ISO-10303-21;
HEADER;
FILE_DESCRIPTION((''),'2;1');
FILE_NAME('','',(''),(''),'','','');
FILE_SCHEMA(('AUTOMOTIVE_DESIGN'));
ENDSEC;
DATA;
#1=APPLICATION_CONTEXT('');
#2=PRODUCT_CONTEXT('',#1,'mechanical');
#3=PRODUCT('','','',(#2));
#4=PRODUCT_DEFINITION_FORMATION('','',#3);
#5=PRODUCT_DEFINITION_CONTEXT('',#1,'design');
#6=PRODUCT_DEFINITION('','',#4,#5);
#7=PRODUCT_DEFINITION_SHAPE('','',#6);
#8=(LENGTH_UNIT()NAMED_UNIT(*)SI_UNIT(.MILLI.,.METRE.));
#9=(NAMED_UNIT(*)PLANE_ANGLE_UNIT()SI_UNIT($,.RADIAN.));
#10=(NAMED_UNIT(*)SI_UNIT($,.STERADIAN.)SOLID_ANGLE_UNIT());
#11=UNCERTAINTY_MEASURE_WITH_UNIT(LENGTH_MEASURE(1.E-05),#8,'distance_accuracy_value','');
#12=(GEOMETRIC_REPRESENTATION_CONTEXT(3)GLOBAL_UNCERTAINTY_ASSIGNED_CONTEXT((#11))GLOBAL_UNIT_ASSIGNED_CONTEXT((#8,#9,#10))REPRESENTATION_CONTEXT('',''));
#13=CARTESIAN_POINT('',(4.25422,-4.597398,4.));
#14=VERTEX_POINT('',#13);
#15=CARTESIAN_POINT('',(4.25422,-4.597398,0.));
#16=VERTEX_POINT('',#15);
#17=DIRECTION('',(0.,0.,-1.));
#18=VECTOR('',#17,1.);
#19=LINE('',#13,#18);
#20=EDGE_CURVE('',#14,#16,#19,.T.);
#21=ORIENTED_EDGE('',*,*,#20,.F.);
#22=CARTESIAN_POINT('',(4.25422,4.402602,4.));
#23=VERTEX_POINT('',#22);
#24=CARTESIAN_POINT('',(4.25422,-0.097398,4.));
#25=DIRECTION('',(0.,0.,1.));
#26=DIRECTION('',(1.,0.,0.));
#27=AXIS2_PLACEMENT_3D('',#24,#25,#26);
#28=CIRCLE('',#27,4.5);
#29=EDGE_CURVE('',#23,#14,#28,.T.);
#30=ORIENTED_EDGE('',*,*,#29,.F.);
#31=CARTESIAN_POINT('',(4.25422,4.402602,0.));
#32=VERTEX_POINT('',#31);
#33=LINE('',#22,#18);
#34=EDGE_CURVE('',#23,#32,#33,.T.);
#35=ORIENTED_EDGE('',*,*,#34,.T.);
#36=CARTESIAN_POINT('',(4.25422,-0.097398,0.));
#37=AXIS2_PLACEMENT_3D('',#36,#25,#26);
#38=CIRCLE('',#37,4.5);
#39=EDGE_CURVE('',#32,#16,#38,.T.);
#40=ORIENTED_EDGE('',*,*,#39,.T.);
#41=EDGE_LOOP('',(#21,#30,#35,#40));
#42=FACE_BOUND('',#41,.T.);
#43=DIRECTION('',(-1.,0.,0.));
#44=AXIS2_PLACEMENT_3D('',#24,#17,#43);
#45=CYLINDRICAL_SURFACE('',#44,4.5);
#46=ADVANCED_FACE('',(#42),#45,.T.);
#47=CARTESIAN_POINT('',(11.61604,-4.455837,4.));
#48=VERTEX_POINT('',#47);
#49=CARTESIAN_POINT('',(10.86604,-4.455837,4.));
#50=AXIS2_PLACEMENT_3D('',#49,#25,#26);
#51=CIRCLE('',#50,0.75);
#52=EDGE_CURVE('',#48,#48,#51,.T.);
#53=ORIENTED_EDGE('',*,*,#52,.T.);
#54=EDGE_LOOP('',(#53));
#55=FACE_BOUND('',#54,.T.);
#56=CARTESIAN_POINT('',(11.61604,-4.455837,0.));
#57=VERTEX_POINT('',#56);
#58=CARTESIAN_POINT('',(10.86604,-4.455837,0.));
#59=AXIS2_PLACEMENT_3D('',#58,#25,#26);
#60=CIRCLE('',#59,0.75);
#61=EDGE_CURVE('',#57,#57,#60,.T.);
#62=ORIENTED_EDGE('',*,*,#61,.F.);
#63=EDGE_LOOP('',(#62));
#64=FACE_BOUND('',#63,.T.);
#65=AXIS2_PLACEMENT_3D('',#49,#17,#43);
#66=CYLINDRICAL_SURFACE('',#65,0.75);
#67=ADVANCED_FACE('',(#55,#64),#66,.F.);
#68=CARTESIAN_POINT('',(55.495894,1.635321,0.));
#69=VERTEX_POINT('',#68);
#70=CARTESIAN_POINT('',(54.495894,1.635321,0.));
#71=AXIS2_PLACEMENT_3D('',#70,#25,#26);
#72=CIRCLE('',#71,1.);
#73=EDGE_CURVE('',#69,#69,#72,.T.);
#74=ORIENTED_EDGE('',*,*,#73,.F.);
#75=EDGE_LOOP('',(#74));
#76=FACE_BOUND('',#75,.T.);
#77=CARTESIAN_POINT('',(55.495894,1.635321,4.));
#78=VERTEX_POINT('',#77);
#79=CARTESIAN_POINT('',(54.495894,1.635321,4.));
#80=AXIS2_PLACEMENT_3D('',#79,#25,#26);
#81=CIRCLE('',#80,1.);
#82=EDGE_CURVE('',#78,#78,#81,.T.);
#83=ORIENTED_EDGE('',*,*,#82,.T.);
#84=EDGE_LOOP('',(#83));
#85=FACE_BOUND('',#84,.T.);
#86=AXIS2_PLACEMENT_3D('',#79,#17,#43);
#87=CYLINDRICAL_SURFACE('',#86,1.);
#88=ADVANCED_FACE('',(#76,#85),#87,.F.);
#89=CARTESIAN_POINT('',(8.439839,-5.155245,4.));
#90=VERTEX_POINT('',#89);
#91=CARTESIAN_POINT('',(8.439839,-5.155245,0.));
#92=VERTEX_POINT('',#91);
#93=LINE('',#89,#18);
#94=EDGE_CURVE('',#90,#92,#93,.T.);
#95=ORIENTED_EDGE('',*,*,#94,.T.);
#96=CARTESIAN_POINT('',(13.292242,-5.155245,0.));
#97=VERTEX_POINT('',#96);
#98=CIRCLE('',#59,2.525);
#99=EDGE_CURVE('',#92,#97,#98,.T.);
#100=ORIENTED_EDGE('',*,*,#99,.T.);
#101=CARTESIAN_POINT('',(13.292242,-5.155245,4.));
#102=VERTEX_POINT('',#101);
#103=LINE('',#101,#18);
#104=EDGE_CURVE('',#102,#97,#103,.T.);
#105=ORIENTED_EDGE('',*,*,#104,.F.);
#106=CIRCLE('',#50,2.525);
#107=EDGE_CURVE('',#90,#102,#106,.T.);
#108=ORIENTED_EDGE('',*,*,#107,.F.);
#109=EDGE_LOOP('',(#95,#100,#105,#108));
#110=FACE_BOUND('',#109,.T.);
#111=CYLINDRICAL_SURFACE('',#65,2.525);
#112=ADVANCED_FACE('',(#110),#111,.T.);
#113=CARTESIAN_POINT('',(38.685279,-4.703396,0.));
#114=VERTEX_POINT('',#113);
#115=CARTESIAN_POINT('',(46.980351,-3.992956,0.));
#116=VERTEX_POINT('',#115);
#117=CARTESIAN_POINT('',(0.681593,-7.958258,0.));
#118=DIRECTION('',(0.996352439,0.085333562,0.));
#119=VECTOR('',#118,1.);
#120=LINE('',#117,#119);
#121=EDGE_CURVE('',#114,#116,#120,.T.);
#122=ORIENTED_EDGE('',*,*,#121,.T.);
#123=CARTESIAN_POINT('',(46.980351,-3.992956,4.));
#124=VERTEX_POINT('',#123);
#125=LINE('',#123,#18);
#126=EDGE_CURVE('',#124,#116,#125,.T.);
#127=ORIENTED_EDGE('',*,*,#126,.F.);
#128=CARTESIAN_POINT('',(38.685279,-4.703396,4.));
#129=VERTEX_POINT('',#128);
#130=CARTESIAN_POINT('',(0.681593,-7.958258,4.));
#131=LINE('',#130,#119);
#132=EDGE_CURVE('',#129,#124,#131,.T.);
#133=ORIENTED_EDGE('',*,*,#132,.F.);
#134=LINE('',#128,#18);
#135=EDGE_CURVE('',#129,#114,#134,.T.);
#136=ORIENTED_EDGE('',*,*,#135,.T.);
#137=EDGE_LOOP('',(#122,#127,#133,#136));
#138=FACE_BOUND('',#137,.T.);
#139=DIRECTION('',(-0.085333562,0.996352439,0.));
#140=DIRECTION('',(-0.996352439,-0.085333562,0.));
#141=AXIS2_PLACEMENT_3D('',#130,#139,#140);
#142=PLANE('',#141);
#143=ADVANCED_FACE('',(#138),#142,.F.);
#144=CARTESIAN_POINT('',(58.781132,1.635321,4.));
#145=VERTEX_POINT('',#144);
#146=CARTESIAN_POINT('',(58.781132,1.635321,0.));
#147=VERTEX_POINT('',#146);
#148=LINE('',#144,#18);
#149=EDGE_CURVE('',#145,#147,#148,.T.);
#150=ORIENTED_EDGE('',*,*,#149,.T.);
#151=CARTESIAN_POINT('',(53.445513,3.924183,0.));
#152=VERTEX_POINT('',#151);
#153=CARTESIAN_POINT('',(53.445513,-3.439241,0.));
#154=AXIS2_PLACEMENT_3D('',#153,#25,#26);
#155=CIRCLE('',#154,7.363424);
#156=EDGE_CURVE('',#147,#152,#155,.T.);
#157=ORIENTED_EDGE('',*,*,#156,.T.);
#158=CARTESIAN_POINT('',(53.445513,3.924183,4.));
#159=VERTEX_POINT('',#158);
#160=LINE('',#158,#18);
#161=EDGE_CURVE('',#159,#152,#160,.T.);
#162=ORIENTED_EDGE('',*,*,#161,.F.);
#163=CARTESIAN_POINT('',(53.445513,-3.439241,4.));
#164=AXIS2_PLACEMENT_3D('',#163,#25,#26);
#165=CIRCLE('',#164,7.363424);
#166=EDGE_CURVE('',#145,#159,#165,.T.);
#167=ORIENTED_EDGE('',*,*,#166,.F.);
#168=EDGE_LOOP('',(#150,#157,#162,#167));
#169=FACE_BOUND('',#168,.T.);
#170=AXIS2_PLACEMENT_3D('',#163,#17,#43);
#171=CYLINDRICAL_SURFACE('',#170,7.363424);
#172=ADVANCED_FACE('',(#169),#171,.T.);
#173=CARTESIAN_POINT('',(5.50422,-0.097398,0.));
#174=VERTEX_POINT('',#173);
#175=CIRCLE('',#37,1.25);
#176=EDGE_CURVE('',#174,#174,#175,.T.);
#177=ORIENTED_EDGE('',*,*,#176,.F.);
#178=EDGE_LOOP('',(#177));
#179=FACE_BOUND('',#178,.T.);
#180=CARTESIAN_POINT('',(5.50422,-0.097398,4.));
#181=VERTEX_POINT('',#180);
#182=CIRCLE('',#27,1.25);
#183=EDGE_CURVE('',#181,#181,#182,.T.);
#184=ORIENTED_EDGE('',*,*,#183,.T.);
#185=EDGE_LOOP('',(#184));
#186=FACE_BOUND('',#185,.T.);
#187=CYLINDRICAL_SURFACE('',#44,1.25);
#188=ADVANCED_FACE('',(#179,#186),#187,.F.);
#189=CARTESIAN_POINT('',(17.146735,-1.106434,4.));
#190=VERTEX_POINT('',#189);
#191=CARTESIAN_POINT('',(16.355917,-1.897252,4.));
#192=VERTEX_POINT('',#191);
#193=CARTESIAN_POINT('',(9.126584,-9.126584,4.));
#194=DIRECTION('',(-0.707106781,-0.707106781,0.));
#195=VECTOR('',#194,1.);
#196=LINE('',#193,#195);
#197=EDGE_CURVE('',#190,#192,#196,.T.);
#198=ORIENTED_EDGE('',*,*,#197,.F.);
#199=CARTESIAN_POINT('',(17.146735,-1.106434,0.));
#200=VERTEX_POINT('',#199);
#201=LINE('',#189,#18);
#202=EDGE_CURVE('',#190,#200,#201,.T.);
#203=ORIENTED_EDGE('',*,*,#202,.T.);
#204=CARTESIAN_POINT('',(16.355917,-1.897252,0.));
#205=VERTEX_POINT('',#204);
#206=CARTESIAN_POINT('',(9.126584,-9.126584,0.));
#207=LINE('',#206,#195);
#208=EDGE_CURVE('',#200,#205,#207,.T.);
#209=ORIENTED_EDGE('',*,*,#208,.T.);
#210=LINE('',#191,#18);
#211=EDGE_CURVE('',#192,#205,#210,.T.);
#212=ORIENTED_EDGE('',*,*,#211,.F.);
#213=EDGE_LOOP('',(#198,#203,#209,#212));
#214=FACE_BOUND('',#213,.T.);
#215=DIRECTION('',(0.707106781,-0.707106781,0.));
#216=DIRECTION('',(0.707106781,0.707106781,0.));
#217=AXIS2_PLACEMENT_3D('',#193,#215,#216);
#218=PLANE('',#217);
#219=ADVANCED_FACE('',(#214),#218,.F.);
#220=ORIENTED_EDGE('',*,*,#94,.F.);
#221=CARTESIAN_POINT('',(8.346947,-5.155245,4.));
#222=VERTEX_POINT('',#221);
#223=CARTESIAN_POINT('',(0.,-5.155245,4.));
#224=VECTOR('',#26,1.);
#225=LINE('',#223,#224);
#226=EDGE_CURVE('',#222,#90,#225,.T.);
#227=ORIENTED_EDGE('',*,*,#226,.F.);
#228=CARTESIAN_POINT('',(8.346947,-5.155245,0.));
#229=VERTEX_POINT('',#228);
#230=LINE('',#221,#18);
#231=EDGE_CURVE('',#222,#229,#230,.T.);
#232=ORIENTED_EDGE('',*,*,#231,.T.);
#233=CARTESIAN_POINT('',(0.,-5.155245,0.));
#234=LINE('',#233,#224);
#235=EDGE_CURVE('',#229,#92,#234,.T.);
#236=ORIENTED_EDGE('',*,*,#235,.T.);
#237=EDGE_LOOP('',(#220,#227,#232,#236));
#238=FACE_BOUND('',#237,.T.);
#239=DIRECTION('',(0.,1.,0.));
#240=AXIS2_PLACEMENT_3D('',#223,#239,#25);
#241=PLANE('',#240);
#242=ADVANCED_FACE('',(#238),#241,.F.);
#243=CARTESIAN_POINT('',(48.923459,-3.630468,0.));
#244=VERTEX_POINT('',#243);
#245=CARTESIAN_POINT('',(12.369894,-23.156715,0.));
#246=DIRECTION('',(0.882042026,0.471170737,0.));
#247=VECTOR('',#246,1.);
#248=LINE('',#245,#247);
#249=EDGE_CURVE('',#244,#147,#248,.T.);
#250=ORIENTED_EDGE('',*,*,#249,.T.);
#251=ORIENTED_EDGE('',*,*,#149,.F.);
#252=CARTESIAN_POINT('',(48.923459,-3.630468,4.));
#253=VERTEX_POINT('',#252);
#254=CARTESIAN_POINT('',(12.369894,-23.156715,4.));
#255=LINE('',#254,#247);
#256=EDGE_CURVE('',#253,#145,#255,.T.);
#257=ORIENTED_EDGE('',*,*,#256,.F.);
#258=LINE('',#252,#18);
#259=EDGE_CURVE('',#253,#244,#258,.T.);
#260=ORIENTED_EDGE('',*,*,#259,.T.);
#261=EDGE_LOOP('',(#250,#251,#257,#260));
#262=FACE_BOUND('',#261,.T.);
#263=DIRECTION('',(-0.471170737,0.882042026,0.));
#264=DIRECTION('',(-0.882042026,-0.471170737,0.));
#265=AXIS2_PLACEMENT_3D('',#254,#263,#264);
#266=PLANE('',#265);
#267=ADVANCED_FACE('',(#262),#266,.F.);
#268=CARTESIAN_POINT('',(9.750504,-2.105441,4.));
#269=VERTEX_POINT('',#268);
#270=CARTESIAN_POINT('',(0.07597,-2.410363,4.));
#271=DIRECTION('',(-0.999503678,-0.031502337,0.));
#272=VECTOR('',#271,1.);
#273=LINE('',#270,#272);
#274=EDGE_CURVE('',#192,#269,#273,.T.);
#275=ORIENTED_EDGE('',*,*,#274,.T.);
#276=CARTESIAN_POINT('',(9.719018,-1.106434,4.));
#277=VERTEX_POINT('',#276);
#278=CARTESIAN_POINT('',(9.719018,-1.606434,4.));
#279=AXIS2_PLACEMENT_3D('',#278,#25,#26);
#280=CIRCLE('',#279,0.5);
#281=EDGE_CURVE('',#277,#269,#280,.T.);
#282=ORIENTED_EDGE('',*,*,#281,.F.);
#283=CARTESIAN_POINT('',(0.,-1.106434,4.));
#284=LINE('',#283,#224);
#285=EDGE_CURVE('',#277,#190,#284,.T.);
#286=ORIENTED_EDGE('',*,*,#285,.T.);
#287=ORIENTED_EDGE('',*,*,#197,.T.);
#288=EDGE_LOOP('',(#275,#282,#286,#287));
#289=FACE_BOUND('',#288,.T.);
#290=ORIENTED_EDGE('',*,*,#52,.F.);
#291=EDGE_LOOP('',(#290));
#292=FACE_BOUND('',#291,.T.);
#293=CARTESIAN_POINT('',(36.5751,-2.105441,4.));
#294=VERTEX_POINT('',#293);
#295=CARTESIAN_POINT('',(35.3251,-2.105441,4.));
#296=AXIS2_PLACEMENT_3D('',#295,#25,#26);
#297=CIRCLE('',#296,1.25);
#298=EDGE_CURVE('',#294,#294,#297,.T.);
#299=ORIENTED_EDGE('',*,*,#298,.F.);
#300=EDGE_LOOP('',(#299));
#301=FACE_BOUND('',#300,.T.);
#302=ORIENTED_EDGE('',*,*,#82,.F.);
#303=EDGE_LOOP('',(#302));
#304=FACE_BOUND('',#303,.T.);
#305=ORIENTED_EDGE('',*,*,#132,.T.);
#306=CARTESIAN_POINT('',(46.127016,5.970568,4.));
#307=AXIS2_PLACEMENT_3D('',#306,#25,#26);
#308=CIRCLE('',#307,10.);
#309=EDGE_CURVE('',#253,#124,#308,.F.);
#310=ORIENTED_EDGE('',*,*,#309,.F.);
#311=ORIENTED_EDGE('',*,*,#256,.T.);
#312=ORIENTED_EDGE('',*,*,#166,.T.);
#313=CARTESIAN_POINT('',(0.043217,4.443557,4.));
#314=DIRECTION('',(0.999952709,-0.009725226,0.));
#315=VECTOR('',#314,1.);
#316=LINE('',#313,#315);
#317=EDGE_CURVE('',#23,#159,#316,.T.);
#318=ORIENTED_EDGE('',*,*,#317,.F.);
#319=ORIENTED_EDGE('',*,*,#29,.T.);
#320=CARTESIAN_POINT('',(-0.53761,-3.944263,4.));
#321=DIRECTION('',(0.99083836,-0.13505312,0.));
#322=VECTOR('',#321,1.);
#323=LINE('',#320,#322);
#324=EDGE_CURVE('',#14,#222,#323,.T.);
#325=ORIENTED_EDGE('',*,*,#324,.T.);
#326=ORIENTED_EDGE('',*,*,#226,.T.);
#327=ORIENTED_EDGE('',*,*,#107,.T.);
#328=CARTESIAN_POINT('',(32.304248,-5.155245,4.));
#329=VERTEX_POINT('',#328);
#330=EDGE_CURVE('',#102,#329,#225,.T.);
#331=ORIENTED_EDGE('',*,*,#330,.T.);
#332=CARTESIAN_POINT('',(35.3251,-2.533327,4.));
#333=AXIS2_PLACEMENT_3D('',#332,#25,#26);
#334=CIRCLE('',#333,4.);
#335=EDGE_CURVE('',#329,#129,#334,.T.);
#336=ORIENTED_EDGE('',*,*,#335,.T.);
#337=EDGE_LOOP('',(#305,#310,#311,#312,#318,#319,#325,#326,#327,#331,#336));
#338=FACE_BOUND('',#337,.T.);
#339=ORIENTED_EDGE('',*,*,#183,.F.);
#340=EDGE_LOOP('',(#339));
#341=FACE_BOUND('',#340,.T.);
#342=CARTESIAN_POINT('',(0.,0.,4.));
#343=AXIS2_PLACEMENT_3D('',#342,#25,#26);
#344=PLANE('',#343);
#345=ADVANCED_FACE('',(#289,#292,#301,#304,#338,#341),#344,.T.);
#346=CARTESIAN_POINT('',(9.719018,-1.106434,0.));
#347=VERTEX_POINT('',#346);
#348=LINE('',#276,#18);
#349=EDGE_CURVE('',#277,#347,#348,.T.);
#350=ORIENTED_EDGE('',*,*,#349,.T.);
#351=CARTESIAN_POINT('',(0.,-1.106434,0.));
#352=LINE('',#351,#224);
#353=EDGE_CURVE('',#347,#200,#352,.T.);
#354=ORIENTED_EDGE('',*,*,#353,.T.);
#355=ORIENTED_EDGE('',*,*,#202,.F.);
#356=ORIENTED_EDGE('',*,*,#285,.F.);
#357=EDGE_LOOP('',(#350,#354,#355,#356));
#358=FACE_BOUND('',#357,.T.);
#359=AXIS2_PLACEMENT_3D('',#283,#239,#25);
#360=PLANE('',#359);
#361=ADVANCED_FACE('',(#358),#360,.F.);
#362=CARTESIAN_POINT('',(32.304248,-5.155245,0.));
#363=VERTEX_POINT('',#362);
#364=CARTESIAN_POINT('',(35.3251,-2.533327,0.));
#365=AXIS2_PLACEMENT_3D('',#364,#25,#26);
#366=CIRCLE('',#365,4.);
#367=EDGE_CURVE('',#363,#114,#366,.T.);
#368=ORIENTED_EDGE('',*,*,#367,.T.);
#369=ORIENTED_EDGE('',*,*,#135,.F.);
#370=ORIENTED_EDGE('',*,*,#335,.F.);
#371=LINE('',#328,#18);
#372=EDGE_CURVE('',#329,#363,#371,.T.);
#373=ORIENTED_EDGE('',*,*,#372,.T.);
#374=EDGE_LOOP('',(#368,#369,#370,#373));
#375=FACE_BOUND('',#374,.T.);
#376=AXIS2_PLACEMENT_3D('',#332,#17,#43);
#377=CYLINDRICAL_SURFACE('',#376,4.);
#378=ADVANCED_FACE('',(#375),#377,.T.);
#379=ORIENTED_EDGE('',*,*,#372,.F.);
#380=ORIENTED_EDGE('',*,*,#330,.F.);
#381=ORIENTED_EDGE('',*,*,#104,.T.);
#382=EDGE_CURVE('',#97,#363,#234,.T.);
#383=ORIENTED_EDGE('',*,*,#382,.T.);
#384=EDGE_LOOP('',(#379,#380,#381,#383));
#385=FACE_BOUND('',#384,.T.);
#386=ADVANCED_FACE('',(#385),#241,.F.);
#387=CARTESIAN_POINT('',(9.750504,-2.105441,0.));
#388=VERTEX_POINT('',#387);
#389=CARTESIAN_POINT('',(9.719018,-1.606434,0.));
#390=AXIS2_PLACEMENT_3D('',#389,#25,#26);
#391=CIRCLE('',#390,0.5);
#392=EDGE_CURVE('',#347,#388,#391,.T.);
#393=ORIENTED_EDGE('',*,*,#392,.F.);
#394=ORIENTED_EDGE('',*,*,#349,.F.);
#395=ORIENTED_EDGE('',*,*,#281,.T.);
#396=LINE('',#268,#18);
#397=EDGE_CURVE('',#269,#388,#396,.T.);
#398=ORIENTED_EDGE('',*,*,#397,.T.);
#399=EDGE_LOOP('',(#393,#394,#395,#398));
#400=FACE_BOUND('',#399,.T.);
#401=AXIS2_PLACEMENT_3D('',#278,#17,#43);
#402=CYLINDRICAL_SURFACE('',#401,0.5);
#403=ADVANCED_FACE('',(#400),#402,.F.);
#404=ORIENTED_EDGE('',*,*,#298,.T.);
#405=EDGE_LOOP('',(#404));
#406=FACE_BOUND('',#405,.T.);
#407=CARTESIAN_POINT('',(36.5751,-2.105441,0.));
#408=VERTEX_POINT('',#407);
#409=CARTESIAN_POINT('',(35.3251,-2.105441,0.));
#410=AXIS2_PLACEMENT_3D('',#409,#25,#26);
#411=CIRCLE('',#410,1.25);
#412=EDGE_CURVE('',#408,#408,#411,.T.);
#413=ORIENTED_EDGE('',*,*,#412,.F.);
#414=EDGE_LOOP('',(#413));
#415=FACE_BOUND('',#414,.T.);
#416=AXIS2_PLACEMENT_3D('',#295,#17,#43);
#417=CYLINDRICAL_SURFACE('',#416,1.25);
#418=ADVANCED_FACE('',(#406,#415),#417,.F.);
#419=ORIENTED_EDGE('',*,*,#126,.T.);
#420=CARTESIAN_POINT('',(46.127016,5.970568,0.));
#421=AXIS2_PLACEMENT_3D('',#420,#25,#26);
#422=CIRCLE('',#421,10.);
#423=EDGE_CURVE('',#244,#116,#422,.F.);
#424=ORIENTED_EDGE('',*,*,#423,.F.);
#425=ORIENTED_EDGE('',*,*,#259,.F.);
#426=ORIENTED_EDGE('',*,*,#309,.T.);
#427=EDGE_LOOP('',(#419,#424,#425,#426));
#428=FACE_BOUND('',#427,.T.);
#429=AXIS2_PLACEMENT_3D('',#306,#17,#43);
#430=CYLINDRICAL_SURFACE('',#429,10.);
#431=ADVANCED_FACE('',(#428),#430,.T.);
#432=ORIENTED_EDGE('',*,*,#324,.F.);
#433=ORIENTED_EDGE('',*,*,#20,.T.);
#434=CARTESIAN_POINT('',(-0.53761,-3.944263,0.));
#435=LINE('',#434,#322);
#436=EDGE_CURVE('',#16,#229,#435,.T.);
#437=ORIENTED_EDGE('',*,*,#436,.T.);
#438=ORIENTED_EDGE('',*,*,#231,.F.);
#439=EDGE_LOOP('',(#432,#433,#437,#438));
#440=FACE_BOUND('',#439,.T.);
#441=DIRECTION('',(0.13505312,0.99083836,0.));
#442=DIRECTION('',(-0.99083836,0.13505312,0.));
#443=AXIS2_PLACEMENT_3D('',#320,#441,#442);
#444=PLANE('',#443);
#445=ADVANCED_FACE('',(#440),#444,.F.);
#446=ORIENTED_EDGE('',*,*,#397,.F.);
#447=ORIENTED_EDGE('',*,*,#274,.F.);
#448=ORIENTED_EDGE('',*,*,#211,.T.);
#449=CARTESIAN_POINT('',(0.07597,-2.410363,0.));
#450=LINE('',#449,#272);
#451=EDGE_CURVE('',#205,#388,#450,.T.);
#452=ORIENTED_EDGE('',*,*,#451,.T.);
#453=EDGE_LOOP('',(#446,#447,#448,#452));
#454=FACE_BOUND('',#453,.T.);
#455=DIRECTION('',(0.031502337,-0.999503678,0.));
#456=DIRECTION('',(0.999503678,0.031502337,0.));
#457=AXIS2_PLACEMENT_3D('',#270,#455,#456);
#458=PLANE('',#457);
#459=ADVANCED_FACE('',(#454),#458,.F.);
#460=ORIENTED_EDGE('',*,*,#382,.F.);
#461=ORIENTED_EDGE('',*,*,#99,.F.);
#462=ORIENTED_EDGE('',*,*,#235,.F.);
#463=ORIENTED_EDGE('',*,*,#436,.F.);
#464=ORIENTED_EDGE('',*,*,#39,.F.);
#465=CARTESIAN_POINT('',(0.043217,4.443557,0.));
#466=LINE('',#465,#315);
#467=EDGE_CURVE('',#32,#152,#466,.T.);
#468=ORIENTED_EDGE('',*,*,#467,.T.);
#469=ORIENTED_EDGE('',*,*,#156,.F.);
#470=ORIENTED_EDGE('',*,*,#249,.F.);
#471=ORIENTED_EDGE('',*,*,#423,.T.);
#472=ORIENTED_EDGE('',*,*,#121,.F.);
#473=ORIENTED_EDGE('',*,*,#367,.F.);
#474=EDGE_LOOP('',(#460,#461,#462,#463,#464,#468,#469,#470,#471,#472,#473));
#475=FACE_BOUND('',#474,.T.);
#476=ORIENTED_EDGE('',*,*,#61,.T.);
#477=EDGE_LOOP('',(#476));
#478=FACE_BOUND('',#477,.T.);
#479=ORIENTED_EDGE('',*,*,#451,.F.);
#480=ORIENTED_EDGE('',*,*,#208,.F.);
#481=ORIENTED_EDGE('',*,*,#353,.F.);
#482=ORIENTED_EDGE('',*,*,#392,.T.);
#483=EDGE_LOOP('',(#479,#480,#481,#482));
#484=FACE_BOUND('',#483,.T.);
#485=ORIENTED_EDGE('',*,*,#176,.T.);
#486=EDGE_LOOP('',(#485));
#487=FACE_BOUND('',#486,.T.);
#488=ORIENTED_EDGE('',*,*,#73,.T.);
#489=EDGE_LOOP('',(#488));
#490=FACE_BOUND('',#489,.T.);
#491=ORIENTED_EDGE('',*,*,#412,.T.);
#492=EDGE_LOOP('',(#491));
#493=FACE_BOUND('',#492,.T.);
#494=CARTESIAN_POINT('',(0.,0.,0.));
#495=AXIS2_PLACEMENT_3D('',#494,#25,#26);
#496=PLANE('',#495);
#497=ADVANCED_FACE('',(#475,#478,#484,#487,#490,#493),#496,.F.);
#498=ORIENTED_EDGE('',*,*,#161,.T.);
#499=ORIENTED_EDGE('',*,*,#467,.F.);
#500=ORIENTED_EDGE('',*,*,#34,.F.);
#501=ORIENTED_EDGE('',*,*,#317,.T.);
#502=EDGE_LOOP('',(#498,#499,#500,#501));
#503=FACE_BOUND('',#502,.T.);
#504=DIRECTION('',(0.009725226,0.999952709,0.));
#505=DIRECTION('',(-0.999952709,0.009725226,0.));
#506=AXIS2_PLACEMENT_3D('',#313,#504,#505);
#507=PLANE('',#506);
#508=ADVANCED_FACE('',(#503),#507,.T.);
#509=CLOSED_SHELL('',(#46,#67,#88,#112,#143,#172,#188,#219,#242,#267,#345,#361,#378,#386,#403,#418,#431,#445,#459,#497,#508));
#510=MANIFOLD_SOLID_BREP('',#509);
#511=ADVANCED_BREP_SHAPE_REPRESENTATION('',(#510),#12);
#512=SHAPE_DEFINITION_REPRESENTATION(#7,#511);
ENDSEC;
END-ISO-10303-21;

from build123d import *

# Parameters (mm, degrees)
SKETCH1_R           = 0.75
SKETCH1_R_2         = 1.25
SKETCH1_R_3         = 1
BOSS_EXTRUDE1_DEPTH = 4


with BuildPart() as part:
    # Sketch1 → Boss-Extrude1 (new body)
    with BuildSketch(Plane.XY):
        with BuildLine():
            ThreePointArc((46.980351469, -3.99295605), (47.960883487, -3.859840066), (48.923458954, -3.63046837))
            Line((48.923458954, -3.63046837), (58.781132355, 1.635320677))
            ThreePointArc((58.781132355, 1.635320677), (56.34843078, 3.327817207), (53.445513313, 3.924182561))
            Line((53.445513313, 3.924182561), (4.34174303, 4.401750396))
            Line((4.34174303, 4.401750396), (4.254220138, 4.402601616))
            ThreePointArc((4.254220138, 4.402601616), (-0.245779862, -0.097398384), (4.254220138, -4.597398384))
            Line((4.254220138, -4.597398384), (8.346946684, -5.15524466))
            Line((8.346946684, -5.15524466), (8.439838836, -5.15524466))
            ThreePointArc((8.439838836, -5.15524466), (10.866040294, -6.980836707), (13.292241752, -5.15524466))
            Line((13.292241752, -5.15524466), (24.292241752, -5.15524466))
            Line((24.292241752, -5.15524466), (32.304248164, -5.15524466))
            ThreePointArc((32.304248164, -5.15524466), (35.607637679, -6.523335594), (38.685278543, -4.70339554))
            Line((38.685278543, -4.70339554), (46.980351469, -3.99295605))
        make_face()
        with Locations((10.866040294, -4.455836707)):
            Circle(SKETCH1_R, mode=Mode.SUBTRACT)
        with BuildLine():
            ThreePointArc((9.719017648, -2.106433547), (9.219017648, -1.606433547), (9.719017648, -1.106433547))
            Line((9.719017648, -1.106433547), (17.146734956, -1.106433547))
            Line((17.146734956, -1.106433547), (16.355916602, -1.897251901))
            Line((16.355916602, -1.897251901), (9.750504349, -2.10544115))
            ThreePointArc((9.750504349, -2.10544115), (9.734768816, -2.106185386), (9.719017648, -2.106433547))
        make_face(mode=Mode.SUBTRACT)
        with Locations((35.325099909, -2.10544115)):
            Circle(SKETCH1_R_2, mode=Mode.SUBTRACT)
        with Locations((4.254220138, -0.097398384)):
            Circle(SKETCH1_R_2, mode=Mode.SUBTRACT)
        with Locations((54.495894224, 1.635320677)):
            Circle(SKETCH1_R_3, mode=Mode.SUBTRACT)
    extrude(amount=BOSS_EXTRUDE1_DEPTH)


solid = part.part
